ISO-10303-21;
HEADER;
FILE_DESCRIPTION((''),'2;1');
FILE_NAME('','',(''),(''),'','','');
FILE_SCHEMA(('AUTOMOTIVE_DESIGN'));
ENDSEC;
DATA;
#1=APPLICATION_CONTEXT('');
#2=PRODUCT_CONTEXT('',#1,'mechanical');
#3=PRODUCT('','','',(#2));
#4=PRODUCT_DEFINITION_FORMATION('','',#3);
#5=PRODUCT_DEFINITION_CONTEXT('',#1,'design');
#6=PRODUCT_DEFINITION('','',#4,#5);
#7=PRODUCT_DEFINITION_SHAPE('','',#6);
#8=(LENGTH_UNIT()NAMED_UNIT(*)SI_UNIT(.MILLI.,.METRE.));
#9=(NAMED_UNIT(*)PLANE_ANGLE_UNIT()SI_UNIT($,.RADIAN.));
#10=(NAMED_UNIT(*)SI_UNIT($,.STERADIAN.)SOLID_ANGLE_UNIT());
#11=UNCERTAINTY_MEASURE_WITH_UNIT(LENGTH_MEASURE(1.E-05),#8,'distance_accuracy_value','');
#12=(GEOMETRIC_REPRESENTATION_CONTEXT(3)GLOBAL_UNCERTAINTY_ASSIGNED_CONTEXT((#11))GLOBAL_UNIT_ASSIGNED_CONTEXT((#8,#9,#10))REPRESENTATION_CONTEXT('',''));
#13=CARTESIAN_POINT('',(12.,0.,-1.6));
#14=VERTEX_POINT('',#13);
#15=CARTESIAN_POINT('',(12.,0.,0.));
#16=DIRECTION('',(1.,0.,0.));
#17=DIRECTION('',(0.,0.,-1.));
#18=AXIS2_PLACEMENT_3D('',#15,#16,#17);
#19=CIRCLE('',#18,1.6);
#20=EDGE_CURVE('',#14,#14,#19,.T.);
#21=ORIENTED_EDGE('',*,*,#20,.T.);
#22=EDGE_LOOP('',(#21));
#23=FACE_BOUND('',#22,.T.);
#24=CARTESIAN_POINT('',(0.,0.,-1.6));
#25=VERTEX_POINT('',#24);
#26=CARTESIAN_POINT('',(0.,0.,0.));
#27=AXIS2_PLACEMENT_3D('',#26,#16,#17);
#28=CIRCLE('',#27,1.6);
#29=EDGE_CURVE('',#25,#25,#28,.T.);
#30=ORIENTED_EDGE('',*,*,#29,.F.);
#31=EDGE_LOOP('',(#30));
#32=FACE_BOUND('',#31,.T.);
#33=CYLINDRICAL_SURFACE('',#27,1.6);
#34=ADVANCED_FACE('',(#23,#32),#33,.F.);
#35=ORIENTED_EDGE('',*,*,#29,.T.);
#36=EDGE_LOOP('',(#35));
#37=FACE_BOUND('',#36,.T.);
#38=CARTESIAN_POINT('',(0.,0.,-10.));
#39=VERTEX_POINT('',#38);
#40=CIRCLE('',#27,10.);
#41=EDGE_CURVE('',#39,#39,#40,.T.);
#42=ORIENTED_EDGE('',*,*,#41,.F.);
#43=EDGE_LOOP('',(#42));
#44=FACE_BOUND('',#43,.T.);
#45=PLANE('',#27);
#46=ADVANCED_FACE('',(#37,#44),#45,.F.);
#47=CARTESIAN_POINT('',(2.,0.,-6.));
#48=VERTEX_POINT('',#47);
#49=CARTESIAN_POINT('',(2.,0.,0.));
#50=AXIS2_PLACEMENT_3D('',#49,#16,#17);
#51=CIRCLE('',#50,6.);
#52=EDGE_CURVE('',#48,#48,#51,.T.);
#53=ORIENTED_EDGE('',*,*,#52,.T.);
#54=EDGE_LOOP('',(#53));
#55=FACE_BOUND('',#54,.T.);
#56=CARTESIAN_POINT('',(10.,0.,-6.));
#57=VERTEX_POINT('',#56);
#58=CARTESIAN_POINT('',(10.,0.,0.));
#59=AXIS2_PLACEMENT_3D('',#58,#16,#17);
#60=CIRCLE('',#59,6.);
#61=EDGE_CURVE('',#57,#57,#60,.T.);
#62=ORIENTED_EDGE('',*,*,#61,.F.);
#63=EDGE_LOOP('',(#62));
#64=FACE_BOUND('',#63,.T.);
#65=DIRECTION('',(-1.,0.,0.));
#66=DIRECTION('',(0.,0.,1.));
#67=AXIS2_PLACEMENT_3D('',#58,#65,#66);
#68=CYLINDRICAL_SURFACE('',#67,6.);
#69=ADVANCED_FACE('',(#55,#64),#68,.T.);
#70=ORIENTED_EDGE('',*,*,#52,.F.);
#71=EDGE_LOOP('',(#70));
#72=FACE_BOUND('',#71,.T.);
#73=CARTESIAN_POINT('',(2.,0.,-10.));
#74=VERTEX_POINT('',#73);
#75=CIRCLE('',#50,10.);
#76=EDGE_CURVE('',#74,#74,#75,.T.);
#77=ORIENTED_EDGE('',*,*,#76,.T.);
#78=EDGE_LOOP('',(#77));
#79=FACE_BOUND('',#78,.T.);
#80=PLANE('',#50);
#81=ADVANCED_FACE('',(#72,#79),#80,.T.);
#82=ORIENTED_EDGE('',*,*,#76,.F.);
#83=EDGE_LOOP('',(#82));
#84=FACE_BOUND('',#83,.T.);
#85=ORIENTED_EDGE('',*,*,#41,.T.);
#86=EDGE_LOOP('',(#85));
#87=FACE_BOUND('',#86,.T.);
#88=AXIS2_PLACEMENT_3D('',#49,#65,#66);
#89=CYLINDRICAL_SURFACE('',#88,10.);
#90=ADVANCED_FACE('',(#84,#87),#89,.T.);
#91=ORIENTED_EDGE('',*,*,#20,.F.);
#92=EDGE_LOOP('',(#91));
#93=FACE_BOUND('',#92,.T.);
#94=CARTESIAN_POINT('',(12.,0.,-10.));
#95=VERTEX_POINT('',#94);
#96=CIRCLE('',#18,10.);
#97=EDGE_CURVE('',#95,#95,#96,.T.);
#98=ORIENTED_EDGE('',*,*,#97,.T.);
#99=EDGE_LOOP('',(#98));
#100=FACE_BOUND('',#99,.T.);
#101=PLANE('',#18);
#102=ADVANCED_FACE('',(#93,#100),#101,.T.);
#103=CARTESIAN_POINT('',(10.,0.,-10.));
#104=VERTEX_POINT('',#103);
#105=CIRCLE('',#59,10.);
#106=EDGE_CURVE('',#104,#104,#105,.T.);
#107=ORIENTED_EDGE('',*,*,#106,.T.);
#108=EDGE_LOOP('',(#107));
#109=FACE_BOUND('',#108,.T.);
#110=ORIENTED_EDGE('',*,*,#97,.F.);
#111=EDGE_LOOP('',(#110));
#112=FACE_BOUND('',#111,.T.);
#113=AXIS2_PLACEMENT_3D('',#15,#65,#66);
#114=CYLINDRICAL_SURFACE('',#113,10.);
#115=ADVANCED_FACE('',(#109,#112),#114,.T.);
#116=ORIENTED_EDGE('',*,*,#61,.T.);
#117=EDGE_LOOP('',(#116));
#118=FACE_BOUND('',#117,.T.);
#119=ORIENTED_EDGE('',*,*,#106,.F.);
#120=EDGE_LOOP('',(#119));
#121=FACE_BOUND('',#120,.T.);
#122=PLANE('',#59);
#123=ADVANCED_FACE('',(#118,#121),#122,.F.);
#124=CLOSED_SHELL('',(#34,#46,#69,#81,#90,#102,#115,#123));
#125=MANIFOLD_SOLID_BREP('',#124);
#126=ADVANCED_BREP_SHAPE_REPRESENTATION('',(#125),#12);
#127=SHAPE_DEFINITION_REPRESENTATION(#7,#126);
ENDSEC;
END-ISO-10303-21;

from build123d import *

# Parameters (mm, degrees)
SKETCH_1_R          = 10
EXTRUDE_1_DEPTH     = 2
SKETCH_2_R          = 6
EXTRUDE_2_DEPTH     = 8
SKETCH_3_R          = 10
EXTRUDE_3_DEPTH     = 2
SKETCH_6_R          = 1.6
CUT_EXTRUDE_3_DEPTH = 19.547236991


with BuildPart() as part:
    # Эскиз1 → Бобышка-Вытянуть1 (new body)
    with BuildSketch(Plane(origin=(0, 0, 0), x_dir=(0, 0, -1), z_dir=(1, 0, 0))):
        Circle(SKETCH_1_R)
    extrude(amount=EXTRUDE_1_DEPTH)

    # Эскиз2 → Бобышка-Вытянуть2 (add)
    with BuildSketch(Plane(origin=(2, 0, 0), x_dir=(0, 0, -1), z_dir=(1, 0, 0))):
        Circle(SKETCH_2_R)
    extrude(amount=EXTRUDE_2_DEPTH)

    # Эскиз3 → Бобышка-Вытянуть3 (add)
    with BuildSketch(Plane(origin=(10, 0, 0), x_dir=(0, 0, -1), z_dir=(1, 0, 0))):
        Circle(SKETCH_3_R)
    extrude(amount=EXTRUDE_3_DEPTH)

    # Эскиз6 → Вырез-Вытянуть3 (cut, through all)
    with BuildSketch(Plane(origin=(12, 0, 0), x_dir=(0, 0, -1), z_dir=(1, 0, 0))):
        Circle(SKETCH_6_R)
    extrude(amount=-CUT_EXTRUDE_3_DEPTH, mode=Mode.SUBTRACT)


solid = part.part
